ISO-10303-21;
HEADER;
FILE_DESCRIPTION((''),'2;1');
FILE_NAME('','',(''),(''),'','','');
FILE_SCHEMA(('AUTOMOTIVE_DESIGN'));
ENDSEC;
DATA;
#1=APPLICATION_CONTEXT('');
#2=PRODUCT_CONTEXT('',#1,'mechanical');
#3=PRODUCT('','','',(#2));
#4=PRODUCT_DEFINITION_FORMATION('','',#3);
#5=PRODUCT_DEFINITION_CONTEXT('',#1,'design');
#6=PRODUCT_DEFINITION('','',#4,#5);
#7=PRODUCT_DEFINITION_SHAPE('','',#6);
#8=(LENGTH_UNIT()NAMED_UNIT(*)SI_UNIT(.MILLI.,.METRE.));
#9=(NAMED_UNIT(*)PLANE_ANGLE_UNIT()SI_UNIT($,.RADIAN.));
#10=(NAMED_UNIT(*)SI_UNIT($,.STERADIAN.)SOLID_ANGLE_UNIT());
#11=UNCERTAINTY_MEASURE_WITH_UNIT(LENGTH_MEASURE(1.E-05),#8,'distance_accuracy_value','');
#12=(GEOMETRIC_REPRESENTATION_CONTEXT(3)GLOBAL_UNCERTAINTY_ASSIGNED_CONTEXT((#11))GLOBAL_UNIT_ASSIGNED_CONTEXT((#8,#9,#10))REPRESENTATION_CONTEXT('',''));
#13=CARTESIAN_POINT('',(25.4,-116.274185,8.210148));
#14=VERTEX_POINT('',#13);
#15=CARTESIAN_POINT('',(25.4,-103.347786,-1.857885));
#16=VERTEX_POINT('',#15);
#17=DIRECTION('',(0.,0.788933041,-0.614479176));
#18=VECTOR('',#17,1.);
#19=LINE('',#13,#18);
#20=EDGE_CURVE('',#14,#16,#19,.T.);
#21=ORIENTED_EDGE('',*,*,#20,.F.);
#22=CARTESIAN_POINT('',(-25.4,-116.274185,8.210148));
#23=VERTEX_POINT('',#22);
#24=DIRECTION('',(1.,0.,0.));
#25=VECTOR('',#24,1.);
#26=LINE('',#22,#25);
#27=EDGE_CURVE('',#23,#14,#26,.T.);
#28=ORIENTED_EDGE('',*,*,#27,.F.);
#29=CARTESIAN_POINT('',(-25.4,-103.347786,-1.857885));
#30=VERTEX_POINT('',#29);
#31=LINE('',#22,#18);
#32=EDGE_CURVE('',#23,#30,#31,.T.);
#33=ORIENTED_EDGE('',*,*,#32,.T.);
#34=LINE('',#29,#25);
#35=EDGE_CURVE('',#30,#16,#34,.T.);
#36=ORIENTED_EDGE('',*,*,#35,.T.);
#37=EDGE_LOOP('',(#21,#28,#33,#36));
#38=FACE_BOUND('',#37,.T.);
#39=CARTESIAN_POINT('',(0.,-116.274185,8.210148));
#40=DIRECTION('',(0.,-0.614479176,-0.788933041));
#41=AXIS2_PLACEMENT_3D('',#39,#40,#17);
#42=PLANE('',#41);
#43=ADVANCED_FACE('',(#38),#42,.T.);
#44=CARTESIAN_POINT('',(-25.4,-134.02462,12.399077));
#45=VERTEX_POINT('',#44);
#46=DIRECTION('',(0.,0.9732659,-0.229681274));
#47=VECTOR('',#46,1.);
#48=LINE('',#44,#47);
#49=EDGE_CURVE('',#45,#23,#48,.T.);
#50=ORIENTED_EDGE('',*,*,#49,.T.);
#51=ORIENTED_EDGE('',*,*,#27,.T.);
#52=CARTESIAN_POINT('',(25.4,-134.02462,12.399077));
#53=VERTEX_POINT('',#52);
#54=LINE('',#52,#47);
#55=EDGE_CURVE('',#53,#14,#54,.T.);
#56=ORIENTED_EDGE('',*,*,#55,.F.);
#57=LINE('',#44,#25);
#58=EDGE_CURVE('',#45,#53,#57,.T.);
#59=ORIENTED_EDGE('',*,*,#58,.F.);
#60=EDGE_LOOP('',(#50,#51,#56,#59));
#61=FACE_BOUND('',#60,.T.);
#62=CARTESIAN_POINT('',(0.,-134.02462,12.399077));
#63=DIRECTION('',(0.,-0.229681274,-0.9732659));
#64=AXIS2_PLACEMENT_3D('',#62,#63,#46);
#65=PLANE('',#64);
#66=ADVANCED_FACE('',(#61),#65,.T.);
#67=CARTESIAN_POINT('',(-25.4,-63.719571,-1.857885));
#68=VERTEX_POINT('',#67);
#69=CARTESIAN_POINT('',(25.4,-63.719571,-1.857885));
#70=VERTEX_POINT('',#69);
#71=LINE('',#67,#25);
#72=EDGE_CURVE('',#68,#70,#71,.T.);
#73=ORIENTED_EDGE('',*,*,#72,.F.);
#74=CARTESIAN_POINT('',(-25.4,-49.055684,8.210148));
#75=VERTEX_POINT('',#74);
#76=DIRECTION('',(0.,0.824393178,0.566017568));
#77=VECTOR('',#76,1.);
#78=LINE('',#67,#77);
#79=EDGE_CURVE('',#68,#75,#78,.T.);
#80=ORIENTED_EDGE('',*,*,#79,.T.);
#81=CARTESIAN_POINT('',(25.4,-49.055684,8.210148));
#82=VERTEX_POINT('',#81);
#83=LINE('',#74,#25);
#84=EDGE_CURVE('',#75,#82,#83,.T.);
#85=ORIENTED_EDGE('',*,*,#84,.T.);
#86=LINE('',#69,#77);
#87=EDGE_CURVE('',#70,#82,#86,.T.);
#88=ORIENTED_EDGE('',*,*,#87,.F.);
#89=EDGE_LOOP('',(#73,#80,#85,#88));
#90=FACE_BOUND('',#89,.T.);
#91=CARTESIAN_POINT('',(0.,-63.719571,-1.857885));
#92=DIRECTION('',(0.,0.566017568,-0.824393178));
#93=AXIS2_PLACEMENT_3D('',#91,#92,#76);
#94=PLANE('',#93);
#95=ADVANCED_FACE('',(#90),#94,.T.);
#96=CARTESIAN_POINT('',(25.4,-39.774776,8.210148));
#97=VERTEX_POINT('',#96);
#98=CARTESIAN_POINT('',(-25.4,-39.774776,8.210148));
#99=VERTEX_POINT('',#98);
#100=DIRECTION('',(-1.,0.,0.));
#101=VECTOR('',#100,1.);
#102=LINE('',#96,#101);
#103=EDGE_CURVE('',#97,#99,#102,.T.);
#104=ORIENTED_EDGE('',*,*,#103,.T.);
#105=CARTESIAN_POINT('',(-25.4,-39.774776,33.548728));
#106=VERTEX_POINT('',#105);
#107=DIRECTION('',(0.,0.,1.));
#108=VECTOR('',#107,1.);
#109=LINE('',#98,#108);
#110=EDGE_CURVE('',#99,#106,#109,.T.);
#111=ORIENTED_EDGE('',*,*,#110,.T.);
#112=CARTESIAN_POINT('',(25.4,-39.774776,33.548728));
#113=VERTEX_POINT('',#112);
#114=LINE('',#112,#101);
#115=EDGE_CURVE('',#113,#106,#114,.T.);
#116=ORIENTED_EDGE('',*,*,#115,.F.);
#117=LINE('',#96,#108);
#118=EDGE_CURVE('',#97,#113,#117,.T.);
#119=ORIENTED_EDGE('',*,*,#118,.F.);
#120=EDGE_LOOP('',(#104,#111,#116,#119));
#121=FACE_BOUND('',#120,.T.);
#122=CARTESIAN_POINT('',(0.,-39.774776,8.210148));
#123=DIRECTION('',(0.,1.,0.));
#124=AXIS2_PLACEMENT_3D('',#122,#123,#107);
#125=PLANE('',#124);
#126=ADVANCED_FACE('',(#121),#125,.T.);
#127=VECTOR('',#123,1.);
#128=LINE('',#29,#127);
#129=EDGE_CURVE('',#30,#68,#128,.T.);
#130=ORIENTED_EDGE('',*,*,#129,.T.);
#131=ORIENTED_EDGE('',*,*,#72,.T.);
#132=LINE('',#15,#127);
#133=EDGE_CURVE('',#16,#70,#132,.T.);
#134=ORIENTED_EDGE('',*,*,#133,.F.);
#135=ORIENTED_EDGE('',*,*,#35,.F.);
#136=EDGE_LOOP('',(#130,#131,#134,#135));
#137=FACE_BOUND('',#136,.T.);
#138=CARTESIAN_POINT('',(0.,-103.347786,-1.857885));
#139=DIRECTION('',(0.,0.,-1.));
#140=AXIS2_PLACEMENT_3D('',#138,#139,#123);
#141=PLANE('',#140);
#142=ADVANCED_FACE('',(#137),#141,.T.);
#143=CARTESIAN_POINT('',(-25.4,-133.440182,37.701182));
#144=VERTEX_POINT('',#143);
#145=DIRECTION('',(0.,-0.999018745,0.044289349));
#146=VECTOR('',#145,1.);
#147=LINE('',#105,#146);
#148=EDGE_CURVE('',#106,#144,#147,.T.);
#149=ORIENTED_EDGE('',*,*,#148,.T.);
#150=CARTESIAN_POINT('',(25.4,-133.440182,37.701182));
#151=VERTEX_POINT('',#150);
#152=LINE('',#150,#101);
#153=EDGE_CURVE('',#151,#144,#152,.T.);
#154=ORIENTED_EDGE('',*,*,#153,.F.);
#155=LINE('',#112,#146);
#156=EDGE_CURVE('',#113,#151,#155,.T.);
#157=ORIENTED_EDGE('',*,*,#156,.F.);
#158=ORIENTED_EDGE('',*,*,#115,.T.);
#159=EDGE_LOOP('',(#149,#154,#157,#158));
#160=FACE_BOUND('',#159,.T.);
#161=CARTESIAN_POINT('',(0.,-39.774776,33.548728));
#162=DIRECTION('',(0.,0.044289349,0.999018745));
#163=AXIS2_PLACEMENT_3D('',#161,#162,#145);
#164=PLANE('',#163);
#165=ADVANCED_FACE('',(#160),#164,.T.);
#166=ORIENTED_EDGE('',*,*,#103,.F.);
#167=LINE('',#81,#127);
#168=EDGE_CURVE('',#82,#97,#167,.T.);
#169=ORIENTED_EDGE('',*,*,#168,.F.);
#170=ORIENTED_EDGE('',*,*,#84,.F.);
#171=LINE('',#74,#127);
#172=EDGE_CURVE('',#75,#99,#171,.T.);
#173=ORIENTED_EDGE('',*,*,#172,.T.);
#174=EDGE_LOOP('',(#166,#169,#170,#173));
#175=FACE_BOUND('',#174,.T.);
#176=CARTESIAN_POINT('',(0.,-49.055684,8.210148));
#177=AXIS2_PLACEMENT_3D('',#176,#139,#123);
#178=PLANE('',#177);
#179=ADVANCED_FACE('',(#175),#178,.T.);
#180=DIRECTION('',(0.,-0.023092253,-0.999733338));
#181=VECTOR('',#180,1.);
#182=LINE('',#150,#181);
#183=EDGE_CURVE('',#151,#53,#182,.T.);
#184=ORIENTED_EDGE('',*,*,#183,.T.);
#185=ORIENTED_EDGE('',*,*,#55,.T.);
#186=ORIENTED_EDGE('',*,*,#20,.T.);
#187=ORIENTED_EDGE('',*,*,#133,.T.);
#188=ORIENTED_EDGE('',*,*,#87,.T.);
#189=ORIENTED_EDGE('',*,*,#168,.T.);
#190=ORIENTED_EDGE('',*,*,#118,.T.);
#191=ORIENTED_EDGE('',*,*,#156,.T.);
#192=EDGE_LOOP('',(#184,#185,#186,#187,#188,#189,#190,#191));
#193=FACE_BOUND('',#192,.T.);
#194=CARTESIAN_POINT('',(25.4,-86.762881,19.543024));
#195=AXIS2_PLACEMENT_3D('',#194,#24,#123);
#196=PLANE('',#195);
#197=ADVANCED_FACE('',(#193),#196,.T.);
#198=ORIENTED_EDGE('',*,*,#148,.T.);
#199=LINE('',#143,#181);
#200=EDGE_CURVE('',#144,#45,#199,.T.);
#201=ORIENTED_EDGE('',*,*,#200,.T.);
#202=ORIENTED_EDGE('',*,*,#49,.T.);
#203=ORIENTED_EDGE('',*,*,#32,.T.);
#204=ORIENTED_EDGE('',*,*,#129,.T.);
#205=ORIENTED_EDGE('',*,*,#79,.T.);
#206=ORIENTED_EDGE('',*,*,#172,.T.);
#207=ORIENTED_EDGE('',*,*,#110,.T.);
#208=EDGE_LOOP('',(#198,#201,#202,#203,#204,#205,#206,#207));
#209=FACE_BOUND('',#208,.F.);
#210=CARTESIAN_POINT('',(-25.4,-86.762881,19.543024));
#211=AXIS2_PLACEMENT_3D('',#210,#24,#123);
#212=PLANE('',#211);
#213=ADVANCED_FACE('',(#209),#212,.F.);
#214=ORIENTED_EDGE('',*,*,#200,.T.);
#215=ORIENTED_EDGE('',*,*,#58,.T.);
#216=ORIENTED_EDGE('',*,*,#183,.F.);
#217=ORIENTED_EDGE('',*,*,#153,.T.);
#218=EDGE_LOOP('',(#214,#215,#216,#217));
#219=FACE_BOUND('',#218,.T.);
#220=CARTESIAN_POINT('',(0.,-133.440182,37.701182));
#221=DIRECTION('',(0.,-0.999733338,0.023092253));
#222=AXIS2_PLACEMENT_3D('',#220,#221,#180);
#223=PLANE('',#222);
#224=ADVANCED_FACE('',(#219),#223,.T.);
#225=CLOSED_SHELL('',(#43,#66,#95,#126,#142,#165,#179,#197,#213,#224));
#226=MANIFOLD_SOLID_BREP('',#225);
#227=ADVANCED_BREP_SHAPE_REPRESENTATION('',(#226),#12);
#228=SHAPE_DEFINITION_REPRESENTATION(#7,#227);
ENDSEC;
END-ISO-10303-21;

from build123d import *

# Parameters (mm, degrees)
F1_DEPTH = 25.4
F2_DEPTH = 25.4


with BuildPart() as f1:
    # F0 (on Right) → F1 (new body)
    with BuildSketch(Plane.YZ):
        Polygon((-133.440181613, 37.7011820674), (-134.0246200562, 12.3990774155), (-116.2741854787, 8.210147731), (-103.3477857709, -1.8578846939), (-63.7195706367, -1.8578846939), (-49.0556843579, 8.210147731), (-39.7747755051, 8.210147731), (-39.7747755051, 33.5487276316), align=None)
    extrude(amount=F1_DEPTH)

    # F2 (add): a face of the model
    f2_faces = [f1.faces().sort_by_distance(p)[0] for p in [
        (0, -86.6234005429, 18.8773491823),
    ]]
    extrude(f2_faces, amount=F2_DEPTH)


solid = f1.part
